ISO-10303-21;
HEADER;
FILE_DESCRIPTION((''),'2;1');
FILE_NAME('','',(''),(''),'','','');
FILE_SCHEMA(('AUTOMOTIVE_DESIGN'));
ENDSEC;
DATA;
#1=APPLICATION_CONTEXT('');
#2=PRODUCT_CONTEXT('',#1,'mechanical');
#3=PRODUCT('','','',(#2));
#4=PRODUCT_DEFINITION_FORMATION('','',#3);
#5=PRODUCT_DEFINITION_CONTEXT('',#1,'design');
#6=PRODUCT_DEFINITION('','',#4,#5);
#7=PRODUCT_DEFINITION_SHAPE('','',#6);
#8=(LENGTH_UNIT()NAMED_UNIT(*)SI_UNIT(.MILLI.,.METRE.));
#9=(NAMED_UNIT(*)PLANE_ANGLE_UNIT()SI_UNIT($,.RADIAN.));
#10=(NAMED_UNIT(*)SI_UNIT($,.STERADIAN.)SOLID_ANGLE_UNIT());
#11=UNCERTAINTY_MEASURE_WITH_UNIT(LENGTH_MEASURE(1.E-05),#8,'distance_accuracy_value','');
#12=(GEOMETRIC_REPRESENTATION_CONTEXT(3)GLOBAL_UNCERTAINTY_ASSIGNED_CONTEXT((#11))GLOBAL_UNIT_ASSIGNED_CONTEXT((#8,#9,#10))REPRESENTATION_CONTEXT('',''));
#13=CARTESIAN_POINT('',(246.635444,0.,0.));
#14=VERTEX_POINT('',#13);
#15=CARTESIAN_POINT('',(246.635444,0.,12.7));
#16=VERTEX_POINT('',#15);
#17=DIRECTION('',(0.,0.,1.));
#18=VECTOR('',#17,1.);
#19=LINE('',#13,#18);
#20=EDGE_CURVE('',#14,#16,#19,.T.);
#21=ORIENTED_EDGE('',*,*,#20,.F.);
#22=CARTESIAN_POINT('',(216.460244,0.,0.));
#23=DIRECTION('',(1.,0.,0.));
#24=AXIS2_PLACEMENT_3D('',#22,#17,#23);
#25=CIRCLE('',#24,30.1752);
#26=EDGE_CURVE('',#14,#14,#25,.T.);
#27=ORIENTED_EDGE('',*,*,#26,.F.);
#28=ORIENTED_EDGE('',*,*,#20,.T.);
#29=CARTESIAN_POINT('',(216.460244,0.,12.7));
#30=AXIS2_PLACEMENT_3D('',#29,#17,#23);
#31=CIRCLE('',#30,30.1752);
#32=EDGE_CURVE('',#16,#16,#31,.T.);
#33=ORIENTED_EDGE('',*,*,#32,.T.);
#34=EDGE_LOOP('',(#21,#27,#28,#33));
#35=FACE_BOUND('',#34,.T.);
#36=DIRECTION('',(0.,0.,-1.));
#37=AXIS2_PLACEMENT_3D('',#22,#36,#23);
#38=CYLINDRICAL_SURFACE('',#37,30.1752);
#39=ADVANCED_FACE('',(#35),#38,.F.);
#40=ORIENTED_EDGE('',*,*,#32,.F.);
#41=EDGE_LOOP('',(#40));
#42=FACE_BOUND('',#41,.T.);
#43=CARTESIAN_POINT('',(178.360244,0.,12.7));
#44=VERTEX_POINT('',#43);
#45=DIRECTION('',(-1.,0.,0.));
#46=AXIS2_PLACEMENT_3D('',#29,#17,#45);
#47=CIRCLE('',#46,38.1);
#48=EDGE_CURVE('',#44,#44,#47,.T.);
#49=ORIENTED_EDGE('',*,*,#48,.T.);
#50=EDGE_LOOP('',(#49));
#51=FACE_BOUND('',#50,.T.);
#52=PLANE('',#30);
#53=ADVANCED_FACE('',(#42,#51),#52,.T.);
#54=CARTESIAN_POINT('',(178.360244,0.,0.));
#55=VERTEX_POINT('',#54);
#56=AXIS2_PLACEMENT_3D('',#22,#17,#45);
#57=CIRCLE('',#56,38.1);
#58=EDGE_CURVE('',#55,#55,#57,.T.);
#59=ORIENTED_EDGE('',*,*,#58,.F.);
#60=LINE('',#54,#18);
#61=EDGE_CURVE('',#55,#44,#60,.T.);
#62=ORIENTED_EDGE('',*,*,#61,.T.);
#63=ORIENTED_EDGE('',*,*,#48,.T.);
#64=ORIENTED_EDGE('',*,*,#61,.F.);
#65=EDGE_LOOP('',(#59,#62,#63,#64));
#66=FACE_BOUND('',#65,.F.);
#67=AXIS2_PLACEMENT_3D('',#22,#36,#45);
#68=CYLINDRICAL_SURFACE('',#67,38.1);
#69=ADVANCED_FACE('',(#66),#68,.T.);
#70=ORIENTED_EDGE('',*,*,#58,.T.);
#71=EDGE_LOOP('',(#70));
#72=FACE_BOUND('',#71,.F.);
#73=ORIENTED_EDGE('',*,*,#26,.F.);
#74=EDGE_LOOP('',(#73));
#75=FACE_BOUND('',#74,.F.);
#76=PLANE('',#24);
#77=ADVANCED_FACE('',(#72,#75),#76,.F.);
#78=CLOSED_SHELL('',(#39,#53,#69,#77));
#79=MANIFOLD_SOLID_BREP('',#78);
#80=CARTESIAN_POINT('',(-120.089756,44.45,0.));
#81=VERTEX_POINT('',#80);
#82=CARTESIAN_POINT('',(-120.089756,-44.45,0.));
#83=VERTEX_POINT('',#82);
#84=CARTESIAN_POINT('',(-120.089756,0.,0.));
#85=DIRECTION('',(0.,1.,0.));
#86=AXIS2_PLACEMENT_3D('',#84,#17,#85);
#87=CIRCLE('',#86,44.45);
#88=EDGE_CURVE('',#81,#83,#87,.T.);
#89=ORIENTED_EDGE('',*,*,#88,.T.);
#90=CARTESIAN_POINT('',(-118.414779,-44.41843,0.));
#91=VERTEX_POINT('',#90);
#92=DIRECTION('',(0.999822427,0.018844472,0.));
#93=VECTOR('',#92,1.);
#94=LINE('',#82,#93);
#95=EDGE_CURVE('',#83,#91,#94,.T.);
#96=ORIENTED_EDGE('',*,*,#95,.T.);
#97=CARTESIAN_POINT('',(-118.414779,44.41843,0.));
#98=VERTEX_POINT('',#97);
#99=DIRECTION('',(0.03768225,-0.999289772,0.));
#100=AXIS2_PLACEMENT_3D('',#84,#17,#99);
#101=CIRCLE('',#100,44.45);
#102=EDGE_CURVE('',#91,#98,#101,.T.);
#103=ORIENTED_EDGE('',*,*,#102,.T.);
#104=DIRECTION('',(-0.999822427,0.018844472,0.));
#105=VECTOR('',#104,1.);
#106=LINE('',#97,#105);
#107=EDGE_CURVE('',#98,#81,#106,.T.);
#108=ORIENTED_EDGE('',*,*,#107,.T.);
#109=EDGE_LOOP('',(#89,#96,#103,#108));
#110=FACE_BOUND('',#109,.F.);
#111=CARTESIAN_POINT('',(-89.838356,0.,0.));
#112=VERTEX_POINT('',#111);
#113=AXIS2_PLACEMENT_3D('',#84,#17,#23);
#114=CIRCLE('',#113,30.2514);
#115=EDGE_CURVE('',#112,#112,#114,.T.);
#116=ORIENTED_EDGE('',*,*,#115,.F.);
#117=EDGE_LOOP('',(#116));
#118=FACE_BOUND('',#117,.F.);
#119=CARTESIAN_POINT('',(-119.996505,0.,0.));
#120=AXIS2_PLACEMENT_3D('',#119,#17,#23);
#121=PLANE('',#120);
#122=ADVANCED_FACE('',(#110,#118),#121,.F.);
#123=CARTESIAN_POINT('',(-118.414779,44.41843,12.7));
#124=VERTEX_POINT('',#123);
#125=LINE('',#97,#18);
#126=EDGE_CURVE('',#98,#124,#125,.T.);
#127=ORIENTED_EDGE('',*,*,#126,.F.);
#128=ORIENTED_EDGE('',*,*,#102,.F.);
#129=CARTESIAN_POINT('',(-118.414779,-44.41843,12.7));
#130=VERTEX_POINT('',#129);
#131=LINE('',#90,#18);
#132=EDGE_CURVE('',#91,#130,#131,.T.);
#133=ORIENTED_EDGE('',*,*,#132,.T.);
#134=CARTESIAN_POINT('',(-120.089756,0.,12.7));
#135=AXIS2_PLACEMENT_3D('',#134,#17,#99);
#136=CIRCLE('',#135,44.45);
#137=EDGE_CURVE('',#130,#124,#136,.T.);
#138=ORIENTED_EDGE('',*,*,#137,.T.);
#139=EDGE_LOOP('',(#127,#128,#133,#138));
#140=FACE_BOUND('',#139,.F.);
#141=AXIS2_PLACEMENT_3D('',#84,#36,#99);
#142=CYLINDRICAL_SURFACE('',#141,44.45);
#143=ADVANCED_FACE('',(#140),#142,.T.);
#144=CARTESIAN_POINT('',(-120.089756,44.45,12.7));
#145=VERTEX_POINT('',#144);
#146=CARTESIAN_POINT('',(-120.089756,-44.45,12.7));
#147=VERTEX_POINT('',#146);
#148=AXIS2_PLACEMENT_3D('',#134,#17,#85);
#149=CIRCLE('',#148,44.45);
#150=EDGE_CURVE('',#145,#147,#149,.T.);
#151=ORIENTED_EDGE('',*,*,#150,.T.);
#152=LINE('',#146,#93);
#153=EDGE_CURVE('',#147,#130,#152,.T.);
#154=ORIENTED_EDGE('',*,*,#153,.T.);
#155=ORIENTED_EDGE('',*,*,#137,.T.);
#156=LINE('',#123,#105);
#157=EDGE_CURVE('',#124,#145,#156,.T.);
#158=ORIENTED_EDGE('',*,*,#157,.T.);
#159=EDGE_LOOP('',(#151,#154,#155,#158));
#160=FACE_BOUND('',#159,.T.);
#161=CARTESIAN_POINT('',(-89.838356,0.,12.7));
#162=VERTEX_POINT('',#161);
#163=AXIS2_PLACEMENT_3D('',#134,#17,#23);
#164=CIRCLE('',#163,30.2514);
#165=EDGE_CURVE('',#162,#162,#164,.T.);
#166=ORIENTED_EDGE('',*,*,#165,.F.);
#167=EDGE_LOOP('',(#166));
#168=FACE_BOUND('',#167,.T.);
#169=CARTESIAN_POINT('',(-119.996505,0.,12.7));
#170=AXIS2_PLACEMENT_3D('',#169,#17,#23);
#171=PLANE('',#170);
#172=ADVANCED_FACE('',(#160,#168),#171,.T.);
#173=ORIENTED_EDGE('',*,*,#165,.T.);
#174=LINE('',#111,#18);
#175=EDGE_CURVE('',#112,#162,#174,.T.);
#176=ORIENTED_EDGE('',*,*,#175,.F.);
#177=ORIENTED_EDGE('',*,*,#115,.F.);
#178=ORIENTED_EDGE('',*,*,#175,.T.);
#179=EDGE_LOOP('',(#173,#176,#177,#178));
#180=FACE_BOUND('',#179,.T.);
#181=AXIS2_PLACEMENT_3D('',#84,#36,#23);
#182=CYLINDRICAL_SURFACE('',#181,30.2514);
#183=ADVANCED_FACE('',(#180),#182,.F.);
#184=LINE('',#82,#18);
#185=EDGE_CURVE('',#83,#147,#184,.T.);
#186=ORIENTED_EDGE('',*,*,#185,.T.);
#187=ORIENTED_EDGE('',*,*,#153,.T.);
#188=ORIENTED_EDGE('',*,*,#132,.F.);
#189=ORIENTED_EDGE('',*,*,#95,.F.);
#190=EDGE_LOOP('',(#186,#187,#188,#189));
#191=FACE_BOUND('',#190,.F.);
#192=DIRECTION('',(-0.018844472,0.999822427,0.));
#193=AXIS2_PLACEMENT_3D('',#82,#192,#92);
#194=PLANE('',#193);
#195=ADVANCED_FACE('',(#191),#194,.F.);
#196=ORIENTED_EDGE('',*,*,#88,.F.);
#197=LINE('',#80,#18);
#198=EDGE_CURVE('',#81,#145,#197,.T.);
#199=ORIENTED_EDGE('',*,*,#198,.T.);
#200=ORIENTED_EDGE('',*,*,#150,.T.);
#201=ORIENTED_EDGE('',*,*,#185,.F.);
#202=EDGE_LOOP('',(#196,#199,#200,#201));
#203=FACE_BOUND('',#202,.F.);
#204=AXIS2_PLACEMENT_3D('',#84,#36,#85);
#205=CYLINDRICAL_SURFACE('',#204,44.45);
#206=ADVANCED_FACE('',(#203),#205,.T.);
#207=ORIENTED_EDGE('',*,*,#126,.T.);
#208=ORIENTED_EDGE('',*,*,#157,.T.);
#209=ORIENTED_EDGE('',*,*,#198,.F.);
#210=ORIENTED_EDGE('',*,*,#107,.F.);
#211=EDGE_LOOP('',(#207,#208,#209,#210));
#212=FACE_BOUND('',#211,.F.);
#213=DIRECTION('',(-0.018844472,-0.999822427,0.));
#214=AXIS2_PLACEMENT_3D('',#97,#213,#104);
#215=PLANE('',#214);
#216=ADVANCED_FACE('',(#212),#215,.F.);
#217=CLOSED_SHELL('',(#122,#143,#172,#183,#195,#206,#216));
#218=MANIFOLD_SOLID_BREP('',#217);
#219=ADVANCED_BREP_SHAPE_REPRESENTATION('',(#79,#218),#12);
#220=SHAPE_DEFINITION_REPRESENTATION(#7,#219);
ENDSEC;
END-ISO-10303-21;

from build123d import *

# Parameters (mm, degrees)
F0_R     = 30.2514
F1_DEPTH = 12.7
F0_R_2   = 30.1752


with BuildPart() as f1:
    # F0 (on Top) → F1 (new body)
    with BuildSketch(Plane.XY):
        with BuildLine():
            Line((-118.41477949, 44.4184303559), (-120.0897555246, 44.45))
            ThreePointArc((-120.0897555246, 44.45), (-164.5397555246, 0), (-120.0897555246, -44.45))
            Line((-120.0897555246, -44.45), (-118.41477949, -44.4184303559))
            ThreePointArc((-118.41477949, -44.4184303559), (-88.0721417414, -30.8330165185), (-75.6397555246, 0))
            ThreePointArc((-75.6397555246, 0), (-88.0721417414, 30.8330165185), (-118.41477949, 44.4184303559))
        make_face()
        with Locations((-120.0897555246, 0)):
            Circle(F0_R, mode=Mode.SUBTRACT)
    extrude(amount=F1_DEPTH)


with BuildPart() as f1b:
    # F0 (on Top) → F1, piece 2 (new body)
    with BuildSketch(Plane.XY):
        with BuildLine():
            ThreePointArc((254.5602444754, 0), (216.4602444754, 38.1), (178.3602444754, 0))
            ThreePointArc((178.3602444754, 0), (216.4602444754, -38.1), (254.5602444754, 0))
        make_face()
        with Locations((216.4602444754, 0)):
            Circle(F0_R_2, mode=Mode.SUBTRACT)
    extrude(amount=F1_DEPTH)


solid = Compound([f1.part, f1b.part])
